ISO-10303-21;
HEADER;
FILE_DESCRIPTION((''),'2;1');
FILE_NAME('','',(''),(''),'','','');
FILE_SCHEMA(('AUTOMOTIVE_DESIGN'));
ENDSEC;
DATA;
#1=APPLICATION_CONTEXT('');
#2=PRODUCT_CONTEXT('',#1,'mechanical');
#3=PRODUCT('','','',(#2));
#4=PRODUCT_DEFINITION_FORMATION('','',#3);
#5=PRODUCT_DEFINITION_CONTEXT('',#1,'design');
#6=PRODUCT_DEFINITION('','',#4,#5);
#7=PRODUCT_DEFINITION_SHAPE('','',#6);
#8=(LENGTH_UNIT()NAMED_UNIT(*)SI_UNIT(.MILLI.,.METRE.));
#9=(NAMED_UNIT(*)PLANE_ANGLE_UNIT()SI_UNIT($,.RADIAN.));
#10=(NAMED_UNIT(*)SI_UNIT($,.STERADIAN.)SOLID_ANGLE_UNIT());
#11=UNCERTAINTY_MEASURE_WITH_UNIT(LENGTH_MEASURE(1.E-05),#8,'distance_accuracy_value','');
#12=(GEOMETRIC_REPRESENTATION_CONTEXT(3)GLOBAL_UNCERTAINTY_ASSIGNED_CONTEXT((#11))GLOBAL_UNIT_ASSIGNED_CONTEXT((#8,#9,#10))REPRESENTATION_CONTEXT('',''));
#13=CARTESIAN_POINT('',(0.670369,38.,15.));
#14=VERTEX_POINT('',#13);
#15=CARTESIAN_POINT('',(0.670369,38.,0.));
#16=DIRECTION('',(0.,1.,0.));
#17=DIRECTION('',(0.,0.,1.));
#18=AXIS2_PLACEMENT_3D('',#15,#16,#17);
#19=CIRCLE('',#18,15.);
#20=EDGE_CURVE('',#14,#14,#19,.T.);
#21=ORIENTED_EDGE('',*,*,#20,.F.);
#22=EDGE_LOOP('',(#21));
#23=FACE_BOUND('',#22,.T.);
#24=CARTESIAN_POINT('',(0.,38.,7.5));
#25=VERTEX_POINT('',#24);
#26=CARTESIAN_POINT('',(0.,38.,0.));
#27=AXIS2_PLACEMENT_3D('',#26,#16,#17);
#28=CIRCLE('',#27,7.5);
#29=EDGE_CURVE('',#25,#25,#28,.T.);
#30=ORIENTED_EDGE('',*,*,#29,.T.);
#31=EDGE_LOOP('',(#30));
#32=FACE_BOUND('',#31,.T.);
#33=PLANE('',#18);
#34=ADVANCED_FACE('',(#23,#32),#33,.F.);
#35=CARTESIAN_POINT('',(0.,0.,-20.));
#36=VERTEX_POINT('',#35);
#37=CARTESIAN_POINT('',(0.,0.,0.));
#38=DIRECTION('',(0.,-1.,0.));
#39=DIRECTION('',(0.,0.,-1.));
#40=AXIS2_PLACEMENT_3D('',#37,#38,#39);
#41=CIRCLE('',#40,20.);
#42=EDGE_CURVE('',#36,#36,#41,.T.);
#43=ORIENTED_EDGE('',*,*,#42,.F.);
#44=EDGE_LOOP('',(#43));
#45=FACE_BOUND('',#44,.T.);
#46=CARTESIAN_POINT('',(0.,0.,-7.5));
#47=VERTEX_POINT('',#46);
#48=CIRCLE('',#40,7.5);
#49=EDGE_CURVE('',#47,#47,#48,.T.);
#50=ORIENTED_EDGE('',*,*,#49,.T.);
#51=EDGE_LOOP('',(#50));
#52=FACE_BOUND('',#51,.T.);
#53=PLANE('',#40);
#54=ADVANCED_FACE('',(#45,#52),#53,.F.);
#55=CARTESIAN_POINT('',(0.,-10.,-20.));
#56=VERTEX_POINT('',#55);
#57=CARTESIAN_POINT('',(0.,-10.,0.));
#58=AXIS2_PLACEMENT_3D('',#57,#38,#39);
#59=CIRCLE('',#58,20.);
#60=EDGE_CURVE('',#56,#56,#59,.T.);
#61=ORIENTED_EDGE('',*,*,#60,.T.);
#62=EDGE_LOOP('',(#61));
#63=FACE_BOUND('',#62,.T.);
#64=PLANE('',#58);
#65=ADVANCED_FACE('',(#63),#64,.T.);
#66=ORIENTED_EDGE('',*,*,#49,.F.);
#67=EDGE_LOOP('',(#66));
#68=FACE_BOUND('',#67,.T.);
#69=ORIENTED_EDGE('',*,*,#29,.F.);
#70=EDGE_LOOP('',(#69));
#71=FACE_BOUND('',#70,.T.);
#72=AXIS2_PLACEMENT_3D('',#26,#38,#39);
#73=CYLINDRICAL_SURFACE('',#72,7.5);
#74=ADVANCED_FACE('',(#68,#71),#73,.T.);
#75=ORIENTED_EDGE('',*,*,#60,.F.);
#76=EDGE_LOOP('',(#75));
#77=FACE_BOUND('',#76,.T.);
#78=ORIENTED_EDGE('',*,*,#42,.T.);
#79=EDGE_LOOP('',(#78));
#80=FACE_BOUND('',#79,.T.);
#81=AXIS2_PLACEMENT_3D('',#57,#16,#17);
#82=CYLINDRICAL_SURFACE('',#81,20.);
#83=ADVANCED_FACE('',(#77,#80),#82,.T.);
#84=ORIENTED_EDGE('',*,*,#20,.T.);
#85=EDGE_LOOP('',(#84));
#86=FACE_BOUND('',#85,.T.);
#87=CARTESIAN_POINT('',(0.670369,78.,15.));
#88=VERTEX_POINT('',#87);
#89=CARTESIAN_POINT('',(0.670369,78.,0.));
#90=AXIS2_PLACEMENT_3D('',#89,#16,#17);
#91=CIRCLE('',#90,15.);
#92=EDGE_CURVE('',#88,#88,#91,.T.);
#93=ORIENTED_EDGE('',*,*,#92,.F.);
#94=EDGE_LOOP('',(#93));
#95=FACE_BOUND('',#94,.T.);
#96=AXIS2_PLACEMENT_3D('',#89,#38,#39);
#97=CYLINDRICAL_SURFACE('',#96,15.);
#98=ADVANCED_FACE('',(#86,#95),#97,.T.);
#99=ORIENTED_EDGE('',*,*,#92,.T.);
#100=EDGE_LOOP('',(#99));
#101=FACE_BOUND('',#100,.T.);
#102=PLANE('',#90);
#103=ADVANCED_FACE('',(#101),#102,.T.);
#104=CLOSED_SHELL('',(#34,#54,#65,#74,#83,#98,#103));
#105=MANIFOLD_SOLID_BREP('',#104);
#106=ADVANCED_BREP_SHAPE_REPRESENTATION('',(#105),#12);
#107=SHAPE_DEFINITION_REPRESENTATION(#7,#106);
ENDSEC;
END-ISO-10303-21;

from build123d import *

# Parameters (mm, degrees)
SKETCH1_R           = 7.5
BOSS_EXTRUDE1_DEPTH = 38
SKETCH2_R           = 20
BOSS_EXTRUDE2_DEPTH = 10
SKETCH3_R           = 15
BOSS_EXTRUDE3_DEPTH = 40


with BuildPart() as part:
    # Sketch1 → Boss-Extrude1 (new body)
    with BuildSketch(Plane(origin=(0, 0, 0), x_dir=(1, 0, 0), z_dir=(0, 1, 0))):
        with Locations(Location((0, 0, 0), (0, 0, 270))):
            Circle(SKETCH1_R)
    extrude(amount=BOSS_EXTRUDE1_DEPTH)

    # Sketch2 → Boss-Extrude2 (add)
    with BuildSketch(Plane.XZ):
        with Locations(Location((0, 0, 0), (0, 0, 270))):
            Circle(SKETCH2_R)
    extrude(amount=BOSS_EXTRUDE2_DEPTH)

    # Sketch3 → Boss-Extrude3 (add)
    with BuildSketch(Plane(origin=(0, 38, 0), x_dir=(1, 0, 0), z_dir=(0, 1, 0))):
        with Locations(Location((0.670369296, 0, 0), (0, 0, 270))):
            Circle(SKETCH3_R)
    extrude(amount=BOSS_EXTRUDE3_DEPTH)


solid = part.part
